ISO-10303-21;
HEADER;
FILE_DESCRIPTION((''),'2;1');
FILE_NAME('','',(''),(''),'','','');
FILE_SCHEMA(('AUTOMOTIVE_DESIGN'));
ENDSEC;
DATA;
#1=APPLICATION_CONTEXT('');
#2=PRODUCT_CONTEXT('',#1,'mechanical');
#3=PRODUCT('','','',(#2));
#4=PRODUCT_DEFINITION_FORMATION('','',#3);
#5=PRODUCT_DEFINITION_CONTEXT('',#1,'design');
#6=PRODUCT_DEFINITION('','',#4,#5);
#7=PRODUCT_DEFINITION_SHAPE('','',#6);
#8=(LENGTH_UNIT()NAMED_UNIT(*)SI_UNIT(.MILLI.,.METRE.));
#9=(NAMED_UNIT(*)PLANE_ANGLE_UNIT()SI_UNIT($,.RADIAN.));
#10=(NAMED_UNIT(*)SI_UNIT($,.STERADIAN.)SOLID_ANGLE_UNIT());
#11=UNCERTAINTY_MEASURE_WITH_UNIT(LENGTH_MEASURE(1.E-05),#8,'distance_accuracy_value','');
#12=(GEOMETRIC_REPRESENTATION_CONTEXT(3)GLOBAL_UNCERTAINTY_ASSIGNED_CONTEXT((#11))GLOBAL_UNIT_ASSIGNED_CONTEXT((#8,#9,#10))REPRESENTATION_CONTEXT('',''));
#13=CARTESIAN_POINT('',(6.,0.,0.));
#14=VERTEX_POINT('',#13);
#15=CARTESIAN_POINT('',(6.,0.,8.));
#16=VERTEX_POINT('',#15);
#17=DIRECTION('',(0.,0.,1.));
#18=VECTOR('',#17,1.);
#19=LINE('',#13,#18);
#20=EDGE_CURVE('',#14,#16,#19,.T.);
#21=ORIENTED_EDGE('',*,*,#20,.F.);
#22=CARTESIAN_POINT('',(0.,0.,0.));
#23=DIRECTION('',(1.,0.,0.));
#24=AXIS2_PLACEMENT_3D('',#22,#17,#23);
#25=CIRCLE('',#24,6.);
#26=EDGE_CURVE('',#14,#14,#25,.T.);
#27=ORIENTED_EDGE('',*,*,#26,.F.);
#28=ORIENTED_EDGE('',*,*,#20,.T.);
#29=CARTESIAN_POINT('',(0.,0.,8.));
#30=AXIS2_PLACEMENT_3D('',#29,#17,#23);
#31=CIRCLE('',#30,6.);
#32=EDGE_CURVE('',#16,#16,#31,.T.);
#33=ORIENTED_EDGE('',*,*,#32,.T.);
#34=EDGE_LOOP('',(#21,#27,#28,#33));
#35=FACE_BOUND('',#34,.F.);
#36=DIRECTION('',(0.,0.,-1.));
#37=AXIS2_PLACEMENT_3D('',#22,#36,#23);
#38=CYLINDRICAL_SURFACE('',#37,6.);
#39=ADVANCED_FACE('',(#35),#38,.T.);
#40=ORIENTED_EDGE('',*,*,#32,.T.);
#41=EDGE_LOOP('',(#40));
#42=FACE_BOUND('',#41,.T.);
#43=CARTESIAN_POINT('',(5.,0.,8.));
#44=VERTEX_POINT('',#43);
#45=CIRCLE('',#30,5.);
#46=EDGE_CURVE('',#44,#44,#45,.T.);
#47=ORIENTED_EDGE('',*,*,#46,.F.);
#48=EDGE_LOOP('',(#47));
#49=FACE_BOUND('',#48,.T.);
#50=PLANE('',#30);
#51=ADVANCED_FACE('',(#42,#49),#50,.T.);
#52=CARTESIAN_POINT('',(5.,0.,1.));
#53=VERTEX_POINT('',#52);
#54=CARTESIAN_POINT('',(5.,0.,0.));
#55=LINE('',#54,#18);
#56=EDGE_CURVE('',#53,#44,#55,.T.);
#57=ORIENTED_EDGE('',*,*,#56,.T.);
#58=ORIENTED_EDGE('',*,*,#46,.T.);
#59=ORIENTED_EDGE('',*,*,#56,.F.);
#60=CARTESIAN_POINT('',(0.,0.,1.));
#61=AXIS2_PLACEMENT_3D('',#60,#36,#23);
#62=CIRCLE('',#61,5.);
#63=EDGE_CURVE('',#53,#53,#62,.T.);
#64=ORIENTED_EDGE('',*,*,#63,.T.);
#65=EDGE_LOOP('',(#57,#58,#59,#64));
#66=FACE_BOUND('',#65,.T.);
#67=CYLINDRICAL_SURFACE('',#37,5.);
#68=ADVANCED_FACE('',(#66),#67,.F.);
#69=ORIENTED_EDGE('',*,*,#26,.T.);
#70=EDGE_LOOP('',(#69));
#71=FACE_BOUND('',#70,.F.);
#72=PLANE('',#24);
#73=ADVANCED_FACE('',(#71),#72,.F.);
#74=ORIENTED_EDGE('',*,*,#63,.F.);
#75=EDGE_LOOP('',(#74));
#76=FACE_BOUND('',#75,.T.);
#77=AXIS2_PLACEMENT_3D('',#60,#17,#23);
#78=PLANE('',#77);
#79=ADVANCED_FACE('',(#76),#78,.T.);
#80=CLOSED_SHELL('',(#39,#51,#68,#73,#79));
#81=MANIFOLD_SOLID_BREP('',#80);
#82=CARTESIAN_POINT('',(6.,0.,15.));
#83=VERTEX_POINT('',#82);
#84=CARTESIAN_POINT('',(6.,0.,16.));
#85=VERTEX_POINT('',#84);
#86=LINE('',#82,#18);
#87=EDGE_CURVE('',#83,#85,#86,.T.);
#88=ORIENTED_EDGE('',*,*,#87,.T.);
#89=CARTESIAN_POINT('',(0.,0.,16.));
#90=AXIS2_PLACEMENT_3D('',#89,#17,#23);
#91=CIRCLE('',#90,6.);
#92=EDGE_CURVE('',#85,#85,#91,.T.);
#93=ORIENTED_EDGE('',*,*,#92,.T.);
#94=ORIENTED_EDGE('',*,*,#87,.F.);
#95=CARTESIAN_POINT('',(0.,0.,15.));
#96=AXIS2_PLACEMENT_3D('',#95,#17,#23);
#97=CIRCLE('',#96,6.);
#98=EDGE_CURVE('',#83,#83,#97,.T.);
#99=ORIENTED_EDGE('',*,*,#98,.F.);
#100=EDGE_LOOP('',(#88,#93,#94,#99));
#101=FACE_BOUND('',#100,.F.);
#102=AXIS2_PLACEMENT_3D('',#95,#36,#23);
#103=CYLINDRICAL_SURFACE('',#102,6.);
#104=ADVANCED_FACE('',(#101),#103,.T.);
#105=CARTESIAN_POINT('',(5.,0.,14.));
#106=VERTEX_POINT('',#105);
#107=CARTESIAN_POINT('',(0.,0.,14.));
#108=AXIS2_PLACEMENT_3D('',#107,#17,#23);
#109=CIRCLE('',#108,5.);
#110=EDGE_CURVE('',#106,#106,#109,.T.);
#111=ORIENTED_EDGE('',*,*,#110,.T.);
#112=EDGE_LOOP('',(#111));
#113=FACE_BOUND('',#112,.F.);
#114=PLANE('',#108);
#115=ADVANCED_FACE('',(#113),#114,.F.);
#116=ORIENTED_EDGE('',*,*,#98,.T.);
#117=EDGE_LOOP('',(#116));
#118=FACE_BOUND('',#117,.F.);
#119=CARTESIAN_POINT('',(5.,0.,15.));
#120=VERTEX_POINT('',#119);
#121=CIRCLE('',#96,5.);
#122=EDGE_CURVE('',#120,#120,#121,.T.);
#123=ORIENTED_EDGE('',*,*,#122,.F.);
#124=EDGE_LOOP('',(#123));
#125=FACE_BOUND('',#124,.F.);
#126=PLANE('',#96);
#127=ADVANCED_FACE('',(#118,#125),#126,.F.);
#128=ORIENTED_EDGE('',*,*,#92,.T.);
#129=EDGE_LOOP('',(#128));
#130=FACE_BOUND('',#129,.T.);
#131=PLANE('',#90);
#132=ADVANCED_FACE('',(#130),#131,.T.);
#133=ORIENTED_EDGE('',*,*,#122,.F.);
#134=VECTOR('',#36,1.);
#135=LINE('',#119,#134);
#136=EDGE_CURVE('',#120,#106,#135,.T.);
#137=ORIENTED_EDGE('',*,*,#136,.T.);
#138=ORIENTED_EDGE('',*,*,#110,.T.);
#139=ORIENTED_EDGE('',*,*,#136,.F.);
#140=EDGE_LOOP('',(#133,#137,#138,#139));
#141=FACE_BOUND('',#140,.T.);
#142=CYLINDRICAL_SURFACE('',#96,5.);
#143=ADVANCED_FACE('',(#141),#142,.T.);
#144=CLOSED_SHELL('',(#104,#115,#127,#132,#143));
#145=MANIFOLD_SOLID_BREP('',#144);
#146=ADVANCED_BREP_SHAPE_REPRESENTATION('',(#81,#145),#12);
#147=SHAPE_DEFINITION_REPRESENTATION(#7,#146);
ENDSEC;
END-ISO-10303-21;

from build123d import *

# Parameters (mm, degrees)
F0_R      = 6
F1_DEPTH  = 8
F2_T      = -1
F4_R      = 5
F5_DEPTH  = 1
F4_R_2    = 6
F5_FACE_R = 5
F6_DEPTH  = 1


with BuildPart() as f1:
    # F0 (on Top) → F1 (new body)
    with BuildSketch(Plane.XY):
        Circle(F0_R)
    extrude(amount=F1_DEPTH)

    # F2
    f2_openings = [f1.faces().sort_by_distance(p)[0] for p in [
        (0, 0, 8),
    ]]
    offset(amount=F2_T, openings=f2_openings)


with BuildPart() as f5:
    # F4 (on offset) → F5 (new body)
    with BuildSketch(Plane.XY.offset(15)):
        Circle(F4_R)
    extrude(amount=-F5_DEPTH)

    # F4 (on offset) + F5_face (on face) → F6 (join)
    with BuildSketch(Plane.XY.offset(15)):
        Circle(F4_R_2)
        Circle(F4_R, mode=Mode.SUBTRACT)
    with BuildSketch(Plane.XY.offset(15)):
        Circle(F5_FACE_R)
    extrude(amount=F6_DEPTH)


solid = Compound([f1.part, f5.part])
